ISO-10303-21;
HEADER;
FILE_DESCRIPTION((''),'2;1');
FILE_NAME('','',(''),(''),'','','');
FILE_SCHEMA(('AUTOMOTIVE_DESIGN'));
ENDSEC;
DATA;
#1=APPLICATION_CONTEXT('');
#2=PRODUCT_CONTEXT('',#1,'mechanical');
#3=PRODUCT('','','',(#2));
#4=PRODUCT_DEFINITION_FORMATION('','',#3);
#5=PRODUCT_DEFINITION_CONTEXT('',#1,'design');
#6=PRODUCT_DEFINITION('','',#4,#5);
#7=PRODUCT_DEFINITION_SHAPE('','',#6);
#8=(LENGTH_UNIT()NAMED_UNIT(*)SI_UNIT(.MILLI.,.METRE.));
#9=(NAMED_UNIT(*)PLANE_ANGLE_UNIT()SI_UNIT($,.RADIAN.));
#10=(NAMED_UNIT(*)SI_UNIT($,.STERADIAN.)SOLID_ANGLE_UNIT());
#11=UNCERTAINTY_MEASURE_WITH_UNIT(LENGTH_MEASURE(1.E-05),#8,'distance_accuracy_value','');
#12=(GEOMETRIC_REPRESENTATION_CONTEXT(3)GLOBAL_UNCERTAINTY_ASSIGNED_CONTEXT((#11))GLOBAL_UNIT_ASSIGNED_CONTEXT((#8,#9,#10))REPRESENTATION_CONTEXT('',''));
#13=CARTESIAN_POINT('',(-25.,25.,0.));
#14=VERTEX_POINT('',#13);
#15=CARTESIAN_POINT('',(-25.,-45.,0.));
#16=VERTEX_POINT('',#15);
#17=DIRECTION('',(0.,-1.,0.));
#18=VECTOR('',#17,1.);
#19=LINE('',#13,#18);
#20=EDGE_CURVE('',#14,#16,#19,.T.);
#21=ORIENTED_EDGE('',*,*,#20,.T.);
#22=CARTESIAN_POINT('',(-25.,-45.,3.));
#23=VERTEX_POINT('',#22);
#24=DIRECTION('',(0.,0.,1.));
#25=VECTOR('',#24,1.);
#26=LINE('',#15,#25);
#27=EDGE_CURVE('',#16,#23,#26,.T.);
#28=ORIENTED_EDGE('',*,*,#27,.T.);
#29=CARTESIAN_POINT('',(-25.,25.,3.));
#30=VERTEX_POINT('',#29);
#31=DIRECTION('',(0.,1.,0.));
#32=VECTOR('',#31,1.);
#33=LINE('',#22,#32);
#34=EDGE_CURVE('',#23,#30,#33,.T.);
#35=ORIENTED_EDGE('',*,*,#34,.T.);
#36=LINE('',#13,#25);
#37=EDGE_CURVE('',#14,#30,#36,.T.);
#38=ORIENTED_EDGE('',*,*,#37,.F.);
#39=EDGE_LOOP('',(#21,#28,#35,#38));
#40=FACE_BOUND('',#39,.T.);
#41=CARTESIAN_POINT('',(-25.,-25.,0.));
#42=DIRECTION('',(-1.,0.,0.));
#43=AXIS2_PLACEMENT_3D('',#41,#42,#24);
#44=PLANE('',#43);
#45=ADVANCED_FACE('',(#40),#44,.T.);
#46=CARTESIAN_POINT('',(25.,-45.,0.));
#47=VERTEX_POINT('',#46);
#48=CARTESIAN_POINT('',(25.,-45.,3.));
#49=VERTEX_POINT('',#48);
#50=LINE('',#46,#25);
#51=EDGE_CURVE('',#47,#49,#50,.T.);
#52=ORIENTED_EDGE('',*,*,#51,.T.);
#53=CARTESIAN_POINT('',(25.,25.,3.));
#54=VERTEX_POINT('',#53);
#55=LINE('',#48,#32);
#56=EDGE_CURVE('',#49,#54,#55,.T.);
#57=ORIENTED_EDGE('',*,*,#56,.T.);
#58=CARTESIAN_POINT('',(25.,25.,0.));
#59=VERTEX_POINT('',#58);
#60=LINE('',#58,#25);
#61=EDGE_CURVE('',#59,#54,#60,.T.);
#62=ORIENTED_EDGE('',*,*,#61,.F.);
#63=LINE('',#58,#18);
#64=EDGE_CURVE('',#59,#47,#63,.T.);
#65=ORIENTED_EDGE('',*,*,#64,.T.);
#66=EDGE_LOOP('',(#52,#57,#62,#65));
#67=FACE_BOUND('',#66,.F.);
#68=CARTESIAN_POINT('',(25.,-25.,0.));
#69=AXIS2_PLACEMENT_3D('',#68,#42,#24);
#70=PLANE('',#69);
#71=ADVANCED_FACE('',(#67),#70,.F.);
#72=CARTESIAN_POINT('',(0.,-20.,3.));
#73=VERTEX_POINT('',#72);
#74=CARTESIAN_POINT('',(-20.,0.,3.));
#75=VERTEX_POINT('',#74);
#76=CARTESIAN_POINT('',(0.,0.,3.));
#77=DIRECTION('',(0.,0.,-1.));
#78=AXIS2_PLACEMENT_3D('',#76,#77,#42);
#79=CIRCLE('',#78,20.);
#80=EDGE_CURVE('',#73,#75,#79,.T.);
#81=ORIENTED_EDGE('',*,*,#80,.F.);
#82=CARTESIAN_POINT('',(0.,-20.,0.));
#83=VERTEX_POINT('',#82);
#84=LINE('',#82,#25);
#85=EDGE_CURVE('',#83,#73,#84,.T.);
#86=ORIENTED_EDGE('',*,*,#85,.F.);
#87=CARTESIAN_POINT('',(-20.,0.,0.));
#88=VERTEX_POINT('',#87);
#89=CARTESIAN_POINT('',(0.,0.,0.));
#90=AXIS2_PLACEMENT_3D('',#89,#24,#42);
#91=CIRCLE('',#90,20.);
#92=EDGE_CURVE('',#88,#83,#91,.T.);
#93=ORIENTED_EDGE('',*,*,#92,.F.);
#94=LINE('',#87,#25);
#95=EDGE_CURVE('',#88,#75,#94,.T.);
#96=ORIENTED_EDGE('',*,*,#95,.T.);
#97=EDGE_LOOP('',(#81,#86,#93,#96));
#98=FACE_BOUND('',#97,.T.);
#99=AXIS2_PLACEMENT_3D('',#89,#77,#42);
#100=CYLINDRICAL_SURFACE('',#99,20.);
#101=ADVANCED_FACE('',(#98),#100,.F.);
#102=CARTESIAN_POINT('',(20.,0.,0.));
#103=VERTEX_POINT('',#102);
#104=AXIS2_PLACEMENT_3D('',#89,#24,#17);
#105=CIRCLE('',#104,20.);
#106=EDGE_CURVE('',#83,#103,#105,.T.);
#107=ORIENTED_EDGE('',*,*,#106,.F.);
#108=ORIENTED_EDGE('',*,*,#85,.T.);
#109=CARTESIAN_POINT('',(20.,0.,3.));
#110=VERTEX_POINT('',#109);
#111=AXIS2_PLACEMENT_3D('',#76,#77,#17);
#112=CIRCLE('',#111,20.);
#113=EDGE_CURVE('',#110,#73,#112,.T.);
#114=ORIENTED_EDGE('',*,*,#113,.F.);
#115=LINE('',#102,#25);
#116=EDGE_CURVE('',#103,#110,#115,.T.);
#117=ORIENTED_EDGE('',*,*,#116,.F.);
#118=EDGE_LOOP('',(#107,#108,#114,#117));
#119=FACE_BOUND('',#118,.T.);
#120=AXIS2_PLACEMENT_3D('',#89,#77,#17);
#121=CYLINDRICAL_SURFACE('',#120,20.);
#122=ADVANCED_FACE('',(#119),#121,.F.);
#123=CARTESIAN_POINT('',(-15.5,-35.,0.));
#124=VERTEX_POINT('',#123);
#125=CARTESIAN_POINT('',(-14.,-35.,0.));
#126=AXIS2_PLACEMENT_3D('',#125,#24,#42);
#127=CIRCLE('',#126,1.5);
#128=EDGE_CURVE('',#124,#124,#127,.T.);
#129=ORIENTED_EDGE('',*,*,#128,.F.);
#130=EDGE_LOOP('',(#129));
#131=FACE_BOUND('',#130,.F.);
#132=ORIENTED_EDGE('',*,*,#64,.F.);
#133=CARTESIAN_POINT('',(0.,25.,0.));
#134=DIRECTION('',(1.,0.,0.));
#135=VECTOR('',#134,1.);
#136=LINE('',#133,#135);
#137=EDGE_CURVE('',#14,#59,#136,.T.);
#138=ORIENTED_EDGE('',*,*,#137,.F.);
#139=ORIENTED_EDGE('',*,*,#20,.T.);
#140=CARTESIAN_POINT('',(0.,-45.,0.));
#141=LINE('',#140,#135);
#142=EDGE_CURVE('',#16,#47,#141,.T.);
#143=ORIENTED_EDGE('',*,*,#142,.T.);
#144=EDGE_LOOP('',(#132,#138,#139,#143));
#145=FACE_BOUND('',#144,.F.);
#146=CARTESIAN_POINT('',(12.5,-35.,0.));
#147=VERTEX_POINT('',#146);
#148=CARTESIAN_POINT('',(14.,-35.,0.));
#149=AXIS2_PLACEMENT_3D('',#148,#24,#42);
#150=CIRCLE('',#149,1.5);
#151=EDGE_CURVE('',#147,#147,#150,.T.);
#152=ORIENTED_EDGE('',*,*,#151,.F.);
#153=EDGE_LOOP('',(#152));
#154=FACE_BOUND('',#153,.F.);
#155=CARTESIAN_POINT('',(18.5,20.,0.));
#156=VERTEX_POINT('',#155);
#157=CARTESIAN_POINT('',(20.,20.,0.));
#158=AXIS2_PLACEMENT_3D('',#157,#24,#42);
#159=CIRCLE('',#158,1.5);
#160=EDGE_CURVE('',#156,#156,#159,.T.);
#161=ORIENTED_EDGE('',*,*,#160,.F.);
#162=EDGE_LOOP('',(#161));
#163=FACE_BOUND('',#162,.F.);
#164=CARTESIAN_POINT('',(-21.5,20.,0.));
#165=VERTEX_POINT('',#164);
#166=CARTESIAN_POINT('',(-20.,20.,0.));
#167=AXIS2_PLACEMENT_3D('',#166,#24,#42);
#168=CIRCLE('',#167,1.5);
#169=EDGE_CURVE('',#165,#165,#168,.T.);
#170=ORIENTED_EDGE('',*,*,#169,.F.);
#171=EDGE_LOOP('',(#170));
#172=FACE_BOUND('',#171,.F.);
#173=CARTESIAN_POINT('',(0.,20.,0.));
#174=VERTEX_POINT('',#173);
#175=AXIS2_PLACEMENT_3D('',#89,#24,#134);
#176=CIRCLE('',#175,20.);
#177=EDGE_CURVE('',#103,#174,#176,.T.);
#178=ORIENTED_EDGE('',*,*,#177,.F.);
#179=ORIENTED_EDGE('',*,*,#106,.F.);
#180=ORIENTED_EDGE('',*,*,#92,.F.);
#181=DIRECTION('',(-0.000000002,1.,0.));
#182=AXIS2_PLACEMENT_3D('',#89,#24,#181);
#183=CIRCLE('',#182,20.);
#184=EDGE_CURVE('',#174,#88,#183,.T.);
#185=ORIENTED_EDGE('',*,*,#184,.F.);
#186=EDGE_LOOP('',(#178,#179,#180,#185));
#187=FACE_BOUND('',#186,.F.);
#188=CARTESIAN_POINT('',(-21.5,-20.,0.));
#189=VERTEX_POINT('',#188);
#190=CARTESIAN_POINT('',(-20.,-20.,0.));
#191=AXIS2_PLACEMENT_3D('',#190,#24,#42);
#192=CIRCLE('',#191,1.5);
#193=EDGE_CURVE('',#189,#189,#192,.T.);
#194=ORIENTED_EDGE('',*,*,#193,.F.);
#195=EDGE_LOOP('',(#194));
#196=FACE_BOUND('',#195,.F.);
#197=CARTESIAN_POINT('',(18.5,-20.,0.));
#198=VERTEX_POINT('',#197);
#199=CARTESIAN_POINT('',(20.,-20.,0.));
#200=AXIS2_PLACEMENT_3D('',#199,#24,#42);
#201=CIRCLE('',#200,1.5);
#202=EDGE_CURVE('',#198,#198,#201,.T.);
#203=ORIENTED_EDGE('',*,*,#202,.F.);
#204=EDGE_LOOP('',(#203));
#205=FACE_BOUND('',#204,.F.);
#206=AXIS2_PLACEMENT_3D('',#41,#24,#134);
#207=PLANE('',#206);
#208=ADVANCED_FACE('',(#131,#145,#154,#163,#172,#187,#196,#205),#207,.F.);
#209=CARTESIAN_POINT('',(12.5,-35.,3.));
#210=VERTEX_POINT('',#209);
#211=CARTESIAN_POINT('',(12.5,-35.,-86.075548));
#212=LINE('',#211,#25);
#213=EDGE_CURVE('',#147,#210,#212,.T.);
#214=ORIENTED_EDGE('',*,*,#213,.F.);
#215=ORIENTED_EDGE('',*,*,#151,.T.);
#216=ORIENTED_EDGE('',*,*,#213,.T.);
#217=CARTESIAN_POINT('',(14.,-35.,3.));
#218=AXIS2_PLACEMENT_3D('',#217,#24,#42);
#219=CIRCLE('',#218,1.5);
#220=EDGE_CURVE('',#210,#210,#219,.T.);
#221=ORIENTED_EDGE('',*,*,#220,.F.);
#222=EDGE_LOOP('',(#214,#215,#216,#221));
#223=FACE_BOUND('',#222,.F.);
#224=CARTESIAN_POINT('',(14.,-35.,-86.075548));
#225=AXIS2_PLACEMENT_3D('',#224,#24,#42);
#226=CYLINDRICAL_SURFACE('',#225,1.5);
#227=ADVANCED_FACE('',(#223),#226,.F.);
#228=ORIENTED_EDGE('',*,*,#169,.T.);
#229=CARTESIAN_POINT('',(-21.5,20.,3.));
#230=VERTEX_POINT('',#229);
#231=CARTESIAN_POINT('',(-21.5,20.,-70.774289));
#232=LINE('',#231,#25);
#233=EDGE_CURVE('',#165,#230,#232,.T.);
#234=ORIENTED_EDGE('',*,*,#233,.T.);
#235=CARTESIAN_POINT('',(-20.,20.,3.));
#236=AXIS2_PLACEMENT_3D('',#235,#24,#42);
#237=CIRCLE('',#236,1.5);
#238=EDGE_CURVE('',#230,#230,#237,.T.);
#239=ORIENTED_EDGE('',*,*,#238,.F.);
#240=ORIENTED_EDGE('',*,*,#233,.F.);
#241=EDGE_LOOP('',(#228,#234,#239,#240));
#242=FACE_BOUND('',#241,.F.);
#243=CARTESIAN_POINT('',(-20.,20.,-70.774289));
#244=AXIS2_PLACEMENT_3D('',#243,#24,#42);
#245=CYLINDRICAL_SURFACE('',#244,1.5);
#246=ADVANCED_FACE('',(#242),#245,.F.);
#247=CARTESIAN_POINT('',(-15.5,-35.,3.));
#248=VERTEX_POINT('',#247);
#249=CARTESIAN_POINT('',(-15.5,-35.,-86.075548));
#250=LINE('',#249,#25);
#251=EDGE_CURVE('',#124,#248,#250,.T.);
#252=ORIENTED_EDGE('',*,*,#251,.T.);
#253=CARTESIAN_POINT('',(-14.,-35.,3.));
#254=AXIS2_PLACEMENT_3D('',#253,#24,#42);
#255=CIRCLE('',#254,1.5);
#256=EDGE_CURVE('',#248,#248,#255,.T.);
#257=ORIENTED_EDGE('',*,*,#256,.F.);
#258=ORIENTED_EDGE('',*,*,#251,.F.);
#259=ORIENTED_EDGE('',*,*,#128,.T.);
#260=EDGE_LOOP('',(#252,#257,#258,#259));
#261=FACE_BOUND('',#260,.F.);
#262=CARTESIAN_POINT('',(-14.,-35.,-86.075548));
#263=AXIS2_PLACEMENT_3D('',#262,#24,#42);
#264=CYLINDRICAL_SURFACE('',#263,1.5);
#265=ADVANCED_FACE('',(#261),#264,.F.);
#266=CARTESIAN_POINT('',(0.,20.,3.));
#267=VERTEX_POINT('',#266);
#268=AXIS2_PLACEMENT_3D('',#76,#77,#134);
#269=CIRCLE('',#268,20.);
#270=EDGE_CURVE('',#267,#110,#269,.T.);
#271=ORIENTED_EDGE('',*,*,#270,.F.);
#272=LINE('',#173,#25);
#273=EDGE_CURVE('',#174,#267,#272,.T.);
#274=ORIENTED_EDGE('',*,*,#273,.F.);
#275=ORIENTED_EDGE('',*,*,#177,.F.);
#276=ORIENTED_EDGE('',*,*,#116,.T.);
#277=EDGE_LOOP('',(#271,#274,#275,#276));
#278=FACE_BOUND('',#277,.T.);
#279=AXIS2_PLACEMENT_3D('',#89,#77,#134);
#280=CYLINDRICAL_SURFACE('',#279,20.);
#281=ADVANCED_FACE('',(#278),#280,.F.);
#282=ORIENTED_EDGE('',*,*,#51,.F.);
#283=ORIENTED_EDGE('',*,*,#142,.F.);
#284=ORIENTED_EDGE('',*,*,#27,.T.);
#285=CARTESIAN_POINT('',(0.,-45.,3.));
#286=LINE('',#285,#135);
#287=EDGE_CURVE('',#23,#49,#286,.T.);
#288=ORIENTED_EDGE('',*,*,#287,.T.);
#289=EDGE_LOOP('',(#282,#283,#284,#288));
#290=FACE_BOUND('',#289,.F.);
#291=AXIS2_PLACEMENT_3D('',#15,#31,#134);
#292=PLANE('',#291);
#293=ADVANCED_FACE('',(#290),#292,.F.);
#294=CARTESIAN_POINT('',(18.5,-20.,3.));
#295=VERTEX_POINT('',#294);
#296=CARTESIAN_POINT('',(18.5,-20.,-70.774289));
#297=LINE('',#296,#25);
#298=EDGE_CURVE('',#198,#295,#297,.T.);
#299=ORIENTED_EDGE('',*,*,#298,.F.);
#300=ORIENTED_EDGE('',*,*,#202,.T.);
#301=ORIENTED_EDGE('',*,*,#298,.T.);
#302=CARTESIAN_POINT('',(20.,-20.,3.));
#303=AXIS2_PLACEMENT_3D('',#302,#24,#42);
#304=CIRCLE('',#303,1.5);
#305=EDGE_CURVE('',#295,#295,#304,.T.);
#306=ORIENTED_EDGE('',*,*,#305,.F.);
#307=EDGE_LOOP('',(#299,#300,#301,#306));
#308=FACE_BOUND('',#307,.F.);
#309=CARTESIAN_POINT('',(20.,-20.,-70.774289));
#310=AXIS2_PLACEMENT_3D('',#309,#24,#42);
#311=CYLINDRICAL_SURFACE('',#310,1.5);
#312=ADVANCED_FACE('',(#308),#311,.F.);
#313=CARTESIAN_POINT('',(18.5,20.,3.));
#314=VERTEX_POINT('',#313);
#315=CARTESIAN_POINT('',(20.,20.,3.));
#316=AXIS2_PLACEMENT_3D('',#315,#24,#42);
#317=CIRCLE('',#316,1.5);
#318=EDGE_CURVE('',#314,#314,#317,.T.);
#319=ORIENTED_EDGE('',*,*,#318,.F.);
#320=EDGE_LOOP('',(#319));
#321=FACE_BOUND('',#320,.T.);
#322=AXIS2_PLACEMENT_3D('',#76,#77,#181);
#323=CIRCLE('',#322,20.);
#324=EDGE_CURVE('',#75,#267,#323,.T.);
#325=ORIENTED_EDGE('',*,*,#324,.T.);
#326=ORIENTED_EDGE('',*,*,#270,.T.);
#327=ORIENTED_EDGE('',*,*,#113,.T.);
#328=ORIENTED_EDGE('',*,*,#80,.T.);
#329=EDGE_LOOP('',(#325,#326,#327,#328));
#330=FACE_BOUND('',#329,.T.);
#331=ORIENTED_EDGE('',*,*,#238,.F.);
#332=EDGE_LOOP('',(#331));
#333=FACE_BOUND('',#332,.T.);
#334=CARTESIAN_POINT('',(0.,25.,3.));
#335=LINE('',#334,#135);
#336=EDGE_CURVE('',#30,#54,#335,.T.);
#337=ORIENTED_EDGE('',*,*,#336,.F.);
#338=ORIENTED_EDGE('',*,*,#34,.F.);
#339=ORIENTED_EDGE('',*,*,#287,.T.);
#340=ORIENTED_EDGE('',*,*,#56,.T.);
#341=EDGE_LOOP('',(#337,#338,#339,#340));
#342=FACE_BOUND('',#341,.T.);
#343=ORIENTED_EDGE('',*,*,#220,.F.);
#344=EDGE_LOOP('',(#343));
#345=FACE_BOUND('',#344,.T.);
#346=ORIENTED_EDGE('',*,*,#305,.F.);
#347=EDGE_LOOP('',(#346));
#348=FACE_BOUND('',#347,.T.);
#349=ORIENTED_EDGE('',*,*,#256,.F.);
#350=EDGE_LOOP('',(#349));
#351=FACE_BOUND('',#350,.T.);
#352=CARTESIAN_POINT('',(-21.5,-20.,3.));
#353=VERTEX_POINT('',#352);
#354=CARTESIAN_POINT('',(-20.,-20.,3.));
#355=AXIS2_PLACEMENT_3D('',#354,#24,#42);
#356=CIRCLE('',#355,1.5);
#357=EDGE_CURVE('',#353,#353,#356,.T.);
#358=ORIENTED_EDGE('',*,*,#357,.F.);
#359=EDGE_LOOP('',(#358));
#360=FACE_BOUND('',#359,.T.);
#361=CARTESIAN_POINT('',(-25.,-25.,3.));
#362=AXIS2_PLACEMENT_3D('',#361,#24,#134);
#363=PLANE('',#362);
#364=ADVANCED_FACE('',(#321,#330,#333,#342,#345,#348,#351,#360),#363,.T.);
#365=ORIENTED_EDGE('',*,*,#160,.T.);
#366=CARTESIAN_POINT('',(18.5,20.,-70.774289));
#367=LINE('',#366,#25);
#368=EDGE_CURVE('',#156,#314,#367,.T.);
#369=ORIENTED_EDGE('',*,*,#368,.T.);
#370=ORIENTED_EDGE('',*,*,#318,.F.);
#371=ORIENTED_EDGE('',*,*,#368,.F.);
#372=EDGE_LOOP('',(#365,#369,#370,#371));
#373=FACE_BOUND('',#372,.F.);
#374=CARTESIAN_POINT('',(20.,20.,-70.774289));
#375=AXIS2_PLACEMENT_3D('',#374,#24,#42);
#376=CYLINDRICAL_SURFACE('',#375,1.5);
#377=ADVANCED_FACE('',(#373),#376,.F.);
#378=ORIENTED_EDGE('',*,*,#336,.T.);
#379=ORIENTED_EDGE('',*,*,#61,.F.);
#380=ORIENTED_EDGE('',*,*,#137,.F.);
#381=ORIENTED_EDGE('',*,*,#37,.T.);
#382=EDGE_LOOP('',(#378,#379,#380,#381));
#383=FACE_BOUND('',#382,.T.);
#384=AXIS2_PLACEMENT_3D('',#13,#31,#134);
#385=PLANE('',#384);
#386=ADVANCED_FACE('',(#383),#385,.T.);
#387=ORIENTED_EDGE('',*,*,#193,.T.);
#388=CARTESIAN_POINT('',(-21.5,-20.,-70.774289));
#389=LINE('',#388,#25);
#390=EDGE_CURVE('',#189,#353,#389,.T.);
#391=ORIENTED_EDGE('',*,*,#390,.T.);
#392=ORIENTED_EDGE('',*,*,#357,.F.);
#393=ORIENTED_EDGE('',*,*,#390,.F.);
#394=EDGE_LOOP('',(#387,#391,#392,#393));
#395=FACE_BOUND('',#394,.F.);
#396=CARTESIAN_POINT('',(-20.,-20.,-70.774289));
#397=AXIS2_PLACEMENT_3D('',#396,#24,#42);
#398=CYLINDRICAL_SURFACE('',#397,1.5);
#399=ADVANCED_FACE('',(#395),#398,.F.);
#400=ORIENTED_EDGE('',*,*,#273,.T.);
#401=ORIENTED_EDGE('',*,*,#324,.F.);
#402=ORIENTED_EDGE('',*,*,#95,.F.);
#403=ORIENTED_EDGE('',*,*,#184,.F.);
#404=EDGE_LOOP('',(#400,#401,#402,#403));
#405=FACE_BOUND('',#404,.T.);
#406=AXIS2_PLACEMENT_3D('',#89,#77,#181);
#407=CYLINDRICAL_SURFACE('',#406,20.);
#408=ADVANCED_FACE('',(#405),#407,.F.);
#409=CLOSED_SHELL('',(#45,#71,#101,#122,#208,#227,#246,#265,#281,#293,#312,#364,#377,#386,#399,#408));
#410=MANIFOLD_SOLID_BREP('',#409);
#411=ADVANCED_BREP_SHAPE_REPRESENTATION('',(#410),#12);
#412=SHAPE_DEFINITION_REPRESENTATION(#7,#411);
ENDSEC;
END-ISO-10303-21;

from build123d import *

# Parameters (mm, degrees)
F0_W     = 50
F0_H     = 50
F0_W_2   = 40
F0_H_2   = 40
F1_DEPTH = 3
F2_D     = 3
F3_DEPTH = 20
F5_D     = 3
F7_DEPTH = 25


with BuildPart() as f1:
    # F0 (on Top) → F1 (new body)
    with BuildSketch(Plane.XY):
        Rectangle(F0_W, F0_H)
        Rectangle(F0_W_2, F0_H_2, mode=Mode.SUBTRACT)
        Rectangle(F0_W_2, F0_H_2)
    extrude(amount=F1_DEPTH)

    # F2 (through all)
    with Locations(Plane(origin=(0, 0, 0), x_dir=(1, 0, 0), z_dir=(0, 0, -1))):
        with Locations((-20, 20), (20, 20), (20, -20), (-20, -20)):
            Hole(F2_D / 2)

    # F3 (add): a face of the model
    f3_faces = [f1.faces().sort_by_distance(p)[0] for p in [
        (0, -25, 1.5),
    ]]
    extrude(f3_faces, amount=F3_DEPTH)

    # F5 (through all)
    with Locations(Plane(origin=(0, 0, 0), x_dir=(1, 0, 0), z_dir=(0, 0, -1))):
        with Locations((14, 35), (-14, 35)):
            Hole(F5_D / 2)

    # F6 (on face) → F7 (cut)
    with BuildSketch(Plane.XY):
        with BuildLine():
            ThreePointArc((0, -20), (14.1421356237, -14.1421356237), (20, 0))
            ThreePointArc((20, 0), (14.142135611, 14.1421356364), (-3.59e-08, 20))
            ThreePointArc((-3.59e-08, 20), (-14.1421356364, 14.142135611), (-20, 0))
            ThreePointArc((-20, 0), (-14.1421356237, -14.1421356237), (0, -20))
        make_face()
    extrude(amount=F7_DEPTH, mode=Mode.SUBTRACT)


solid = f1.part
